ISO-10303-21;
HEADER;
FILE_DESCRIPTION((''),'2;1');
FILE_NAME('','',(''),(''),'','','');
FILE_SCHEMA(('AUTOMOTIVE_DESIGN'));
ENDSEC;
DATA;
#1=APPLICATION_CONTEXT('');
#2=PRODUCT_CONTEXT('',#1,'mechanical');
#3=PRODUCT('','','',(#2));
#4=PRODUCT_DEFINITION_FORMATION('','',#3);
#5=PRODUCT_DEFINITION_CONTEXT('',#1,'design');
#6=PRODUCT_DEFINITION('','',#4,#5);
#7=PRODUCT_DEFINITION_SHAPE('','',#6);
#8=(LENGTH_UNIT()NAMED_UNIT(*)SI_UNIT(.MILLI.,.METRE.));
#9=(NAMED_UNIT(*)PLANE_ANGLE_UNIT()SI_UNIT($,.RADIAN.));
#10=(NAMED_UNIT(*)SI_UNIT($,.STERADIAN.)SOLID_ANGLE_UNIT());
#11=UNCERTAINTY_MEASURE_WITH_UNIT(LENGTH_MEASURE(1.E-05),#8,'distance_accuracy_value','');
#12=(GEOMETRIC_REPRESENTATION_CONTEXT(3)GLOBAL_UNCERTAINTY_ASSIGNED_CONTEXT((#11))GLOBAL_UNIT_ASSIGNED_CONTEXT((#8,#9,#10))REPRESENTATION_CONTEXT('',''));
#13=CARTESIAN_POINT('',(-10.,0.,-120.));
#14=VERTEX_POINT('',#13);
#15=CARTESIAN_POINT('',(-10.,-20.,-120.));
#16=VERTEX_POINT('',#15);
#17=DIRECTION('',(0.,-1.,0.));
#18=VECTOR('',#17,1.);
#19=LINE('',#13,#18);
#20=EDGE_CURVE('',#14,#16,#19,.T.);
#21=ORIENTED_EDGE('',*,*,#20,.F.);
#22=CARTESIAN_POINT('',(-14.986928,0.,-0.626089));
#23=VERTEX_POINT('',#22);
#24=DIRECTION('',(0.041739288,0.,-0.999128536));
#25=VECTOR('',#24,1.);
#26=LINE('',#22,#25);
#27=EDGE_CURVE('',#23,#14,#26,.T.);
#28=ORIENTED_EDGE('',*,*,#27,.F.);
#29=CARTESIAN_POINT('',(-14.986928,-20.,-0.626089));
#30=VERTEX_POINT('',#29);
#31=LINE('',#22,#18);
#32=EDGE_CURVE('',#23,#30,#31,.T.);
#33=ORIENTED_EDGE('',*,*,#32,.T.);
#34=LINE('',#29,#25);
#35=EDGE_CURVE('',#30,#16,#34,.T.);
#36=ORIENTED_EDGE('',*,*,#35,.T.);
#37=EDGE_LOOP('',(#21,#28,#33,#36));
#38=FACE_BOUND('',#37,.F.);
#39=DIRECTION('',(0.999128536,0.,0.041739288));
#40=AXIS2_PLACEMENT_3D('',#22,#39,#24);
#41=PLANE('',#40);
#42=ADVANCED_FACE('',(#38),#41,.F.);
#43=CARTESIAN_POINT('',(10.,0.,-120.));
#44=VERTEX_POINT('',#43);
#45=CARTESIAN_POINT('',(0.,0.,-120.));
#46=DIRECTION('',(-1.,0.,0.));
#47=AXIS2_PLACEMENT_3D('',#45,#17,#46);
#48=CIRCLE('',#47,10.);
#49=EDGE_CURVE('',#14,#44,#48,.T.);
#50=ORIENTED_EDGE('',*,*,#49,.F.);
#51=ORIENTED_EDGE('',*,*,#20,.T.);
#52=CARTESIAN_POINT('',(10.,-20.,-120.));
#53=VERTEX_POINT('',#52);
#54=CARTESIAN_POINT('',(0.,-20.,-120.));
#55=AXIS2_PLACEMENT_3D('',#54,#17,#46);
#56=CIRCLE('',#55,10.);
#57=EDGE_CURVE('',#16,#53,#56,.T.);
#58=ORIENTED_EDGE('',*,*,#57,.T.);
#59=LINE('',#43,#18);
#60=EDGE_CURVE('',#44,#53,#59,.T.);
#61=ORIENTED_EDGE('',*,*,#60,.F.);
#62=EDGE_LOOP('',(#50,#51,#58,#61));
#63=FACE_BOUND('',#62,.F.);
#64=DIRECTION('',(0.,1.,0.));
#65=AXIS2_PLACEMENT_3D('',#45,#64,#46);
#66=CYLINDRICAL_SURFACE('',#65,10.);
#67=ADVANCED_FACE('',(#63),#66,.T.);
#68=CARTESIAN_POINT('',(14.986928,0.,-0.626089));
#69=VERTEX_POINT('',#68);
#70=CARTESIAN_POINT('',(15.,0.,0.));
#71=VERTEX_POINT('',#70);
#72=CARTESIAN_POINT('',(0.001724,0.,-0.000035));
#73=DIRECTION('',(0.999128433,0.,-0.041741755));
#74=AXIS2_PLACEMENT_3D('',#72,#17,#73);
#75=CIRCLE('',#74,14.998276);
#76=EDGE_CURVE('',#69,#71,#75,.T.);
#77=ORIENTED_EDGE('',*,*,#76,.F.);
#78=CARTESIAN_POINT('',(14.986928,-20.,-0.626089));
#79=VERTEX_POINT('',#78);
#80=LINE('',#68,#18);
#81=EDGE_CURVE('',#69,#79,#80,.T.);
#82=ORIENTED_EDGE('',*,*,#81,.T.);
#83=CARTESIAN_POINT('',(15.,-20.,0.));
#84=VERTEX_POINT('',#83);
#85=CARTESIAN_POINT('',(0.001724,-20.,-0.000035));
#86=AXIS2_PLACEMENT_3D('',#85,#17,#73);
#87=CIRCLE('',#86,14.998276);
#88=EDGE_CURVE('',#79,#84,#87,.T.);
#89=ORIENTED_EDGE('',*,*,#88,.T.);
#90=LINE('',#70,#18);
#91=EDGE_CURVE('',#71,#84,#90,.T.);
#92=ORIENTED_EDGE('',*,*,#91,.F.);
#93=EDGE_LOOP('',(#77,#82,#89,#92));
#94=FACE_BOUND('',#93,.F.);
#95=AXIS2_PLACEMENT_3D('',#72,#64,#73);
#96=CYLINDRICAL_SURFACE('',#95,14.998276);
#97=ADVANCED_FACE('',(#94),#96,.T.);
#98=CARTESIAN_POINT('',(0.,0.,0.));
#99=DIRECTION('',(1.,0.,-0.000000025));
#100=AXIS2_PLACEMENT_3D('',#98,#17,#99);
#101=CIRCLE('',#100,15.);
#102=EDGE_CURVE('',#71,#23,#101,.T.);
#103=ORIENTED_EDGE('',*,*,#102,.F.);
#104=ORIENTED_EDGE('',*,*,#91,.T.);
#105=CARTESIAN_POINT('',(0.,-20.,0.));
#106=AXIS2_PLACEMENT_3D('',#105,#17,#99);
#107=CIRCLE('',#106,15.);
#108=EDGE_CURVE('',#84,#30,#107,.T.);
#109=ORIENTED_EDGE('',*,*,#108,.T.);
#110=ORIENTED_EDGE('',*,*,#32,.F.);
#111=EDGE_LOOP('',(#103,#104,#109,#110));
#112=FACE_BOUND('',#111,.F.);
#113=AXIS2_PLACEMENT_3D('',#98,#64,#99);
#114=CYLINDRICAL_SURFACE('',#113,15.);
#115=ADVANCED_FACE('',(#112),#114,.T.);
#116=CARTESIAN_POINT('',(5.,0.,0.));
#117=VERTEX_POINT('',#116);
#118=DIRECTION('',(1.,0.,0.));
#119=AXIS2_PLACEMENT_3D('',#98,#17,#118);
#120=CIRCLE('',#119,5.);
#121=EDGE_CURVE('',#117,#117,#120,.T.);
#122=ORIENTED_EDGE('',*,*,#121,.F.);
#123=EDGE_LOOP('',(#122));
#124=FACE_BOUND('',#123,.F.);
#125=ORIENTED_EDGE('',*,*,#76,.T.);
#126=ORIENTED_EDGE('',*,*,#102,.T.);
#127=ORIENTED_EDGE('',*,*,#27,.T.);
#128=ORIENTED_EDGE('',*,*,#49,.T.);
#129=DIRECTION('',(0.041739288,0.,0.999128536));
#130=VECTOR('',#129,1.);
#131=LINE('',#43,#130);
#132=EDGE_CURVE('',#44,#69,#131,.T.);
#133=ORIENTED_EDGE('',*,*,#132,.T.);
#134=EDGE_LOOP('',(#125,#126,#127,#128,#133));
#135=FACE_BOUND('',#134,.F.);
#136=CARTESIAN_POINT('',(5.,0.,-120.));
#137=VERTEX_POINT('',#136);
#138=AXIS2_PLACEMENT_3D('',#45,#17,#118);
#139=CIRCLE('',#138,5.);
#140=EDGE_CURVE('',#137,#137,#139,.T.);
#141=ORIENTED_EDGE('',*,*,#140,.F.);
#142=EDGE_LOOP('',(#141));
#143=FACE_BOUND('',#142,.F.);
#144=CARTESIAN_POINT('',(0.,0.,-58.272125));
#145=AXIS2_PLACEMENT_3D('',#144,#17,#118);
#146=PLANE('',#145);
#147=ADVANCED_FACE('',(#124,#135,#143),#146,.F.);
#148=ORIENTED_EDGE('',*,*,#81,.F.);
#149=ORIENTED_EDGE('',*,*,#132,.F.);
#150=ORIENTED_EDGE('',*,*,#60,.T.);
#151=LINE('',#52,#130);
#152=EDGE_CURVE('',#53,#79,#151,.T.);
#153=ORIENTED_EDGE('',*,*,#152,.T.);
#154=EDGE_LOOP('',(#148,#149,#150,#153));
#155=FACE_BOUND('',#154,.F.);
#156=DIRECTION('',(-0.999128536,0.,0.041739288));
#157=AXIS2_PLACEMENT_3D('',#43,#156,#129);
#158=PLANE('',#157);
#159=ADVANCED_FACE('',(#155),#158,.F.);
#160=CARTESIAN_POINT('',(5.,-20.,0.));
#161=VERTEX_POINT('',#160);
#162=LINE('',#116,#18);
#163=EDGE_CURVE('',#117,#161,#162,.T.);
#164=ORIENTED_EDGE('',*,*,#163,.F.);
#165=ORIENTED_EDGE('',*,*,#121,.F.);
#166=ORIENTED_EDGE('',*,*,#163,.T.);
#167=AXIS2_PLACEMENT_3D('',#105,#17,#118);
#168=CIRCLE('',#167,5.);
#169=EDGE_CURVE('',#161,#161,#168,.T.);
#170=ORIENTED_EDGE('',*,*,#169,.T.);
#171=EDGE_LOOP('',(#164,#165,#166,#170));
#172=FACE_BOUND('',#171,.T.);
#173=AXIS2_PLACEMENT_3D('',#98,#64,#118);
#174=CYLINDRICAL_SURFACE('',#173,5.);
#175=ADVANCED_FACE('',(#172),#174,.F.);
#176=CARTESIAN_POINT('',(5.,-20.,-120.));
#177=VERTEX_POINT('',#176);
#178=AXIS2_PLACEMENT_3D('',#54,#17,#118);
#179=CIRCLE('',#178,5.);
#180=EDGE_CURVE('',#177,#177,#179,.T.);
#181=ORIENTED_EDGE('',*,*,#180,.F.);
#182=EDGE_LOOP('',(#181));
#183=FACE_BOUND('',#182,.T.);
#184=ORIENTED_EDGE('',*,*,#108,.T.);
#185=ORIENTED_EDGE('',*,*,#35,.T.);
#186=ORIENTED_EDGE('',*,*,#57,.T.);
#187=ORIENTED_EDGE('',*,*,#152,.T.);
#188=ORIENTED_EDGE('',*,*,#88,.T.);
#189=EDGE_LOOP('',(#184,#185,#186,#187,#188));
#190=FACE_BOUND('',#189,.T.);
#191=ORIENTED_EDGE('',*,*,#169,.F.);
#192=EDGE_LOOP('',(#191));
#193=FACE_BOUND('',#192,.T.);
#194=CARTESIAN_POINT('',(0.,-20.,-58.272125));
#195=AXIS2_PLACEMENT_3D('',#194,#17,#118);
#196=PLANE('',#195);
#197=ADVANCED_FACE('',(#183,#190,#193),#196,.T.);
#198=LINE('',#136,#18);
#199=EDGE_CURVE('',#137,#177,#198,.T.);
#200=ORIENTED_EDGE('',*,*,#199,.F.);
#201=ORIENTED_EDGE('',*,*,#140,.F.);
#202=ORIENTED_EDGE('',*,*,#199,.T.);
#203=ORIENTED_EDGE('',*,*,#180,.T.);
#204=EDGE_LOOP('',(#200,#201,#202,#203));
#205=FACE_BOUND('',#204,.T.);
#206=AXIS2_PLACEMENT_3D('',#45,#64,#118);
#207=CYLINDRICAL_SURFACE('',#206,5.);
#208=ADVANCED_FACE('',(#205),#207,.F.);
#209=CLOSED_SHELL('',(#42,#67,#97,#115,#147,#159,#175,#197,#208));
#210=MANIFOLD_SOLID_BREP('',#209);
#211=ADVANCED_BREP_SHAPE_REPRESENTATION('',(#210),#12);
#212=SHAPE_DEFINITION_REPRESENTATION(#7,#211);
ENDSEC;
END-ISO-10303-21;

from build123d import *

# Parameters (mm, degrees)
F0_R     = 5
F1_DEPTH = 20


with BuildPart() as f1:
    # F0 (on Front) → F1 (new body)
    with BuildSketch(Plane.XZ):
        with BuildLine():
            ThreePointArc((14.986928, -0.626089), (0, -15), (-14.986928, -0.626089))
            Line((-14.986928, -0.626089), (-10, -120))
            ThreePointArc((-10, -120), (0, -110), (10, -120))
            Line((10, -120), (14.986928, -0.626089))
        make_face()
        with BuildLine():
            ThreePointArc((14.986928, -0.626089), (14.996732, -0.313113), (15, 0))
            ThreePointArc((15, 0), (-0.313113, 14.996732), (-14.986928, -0.626089))
            ThreePointArc((-14.986928, -0.626089), (0, -15), (14.986928, -0.626089))
        make_face()
        Circle(F0_R, mode=Mode.SUBTRACT)
        with BuildLine():
            ThreePointArc((10, -120), (0, -110), (-10, -120))
            ThreePointArc((-10, -120), (0, -130), (10, -120))
        make_face()
        with Locations((0, -120)):
            Circle(F0_R, mode=Mode.SUBTRACT)
    extrude(amount=F1_DEPTH)


solid = f1.part
